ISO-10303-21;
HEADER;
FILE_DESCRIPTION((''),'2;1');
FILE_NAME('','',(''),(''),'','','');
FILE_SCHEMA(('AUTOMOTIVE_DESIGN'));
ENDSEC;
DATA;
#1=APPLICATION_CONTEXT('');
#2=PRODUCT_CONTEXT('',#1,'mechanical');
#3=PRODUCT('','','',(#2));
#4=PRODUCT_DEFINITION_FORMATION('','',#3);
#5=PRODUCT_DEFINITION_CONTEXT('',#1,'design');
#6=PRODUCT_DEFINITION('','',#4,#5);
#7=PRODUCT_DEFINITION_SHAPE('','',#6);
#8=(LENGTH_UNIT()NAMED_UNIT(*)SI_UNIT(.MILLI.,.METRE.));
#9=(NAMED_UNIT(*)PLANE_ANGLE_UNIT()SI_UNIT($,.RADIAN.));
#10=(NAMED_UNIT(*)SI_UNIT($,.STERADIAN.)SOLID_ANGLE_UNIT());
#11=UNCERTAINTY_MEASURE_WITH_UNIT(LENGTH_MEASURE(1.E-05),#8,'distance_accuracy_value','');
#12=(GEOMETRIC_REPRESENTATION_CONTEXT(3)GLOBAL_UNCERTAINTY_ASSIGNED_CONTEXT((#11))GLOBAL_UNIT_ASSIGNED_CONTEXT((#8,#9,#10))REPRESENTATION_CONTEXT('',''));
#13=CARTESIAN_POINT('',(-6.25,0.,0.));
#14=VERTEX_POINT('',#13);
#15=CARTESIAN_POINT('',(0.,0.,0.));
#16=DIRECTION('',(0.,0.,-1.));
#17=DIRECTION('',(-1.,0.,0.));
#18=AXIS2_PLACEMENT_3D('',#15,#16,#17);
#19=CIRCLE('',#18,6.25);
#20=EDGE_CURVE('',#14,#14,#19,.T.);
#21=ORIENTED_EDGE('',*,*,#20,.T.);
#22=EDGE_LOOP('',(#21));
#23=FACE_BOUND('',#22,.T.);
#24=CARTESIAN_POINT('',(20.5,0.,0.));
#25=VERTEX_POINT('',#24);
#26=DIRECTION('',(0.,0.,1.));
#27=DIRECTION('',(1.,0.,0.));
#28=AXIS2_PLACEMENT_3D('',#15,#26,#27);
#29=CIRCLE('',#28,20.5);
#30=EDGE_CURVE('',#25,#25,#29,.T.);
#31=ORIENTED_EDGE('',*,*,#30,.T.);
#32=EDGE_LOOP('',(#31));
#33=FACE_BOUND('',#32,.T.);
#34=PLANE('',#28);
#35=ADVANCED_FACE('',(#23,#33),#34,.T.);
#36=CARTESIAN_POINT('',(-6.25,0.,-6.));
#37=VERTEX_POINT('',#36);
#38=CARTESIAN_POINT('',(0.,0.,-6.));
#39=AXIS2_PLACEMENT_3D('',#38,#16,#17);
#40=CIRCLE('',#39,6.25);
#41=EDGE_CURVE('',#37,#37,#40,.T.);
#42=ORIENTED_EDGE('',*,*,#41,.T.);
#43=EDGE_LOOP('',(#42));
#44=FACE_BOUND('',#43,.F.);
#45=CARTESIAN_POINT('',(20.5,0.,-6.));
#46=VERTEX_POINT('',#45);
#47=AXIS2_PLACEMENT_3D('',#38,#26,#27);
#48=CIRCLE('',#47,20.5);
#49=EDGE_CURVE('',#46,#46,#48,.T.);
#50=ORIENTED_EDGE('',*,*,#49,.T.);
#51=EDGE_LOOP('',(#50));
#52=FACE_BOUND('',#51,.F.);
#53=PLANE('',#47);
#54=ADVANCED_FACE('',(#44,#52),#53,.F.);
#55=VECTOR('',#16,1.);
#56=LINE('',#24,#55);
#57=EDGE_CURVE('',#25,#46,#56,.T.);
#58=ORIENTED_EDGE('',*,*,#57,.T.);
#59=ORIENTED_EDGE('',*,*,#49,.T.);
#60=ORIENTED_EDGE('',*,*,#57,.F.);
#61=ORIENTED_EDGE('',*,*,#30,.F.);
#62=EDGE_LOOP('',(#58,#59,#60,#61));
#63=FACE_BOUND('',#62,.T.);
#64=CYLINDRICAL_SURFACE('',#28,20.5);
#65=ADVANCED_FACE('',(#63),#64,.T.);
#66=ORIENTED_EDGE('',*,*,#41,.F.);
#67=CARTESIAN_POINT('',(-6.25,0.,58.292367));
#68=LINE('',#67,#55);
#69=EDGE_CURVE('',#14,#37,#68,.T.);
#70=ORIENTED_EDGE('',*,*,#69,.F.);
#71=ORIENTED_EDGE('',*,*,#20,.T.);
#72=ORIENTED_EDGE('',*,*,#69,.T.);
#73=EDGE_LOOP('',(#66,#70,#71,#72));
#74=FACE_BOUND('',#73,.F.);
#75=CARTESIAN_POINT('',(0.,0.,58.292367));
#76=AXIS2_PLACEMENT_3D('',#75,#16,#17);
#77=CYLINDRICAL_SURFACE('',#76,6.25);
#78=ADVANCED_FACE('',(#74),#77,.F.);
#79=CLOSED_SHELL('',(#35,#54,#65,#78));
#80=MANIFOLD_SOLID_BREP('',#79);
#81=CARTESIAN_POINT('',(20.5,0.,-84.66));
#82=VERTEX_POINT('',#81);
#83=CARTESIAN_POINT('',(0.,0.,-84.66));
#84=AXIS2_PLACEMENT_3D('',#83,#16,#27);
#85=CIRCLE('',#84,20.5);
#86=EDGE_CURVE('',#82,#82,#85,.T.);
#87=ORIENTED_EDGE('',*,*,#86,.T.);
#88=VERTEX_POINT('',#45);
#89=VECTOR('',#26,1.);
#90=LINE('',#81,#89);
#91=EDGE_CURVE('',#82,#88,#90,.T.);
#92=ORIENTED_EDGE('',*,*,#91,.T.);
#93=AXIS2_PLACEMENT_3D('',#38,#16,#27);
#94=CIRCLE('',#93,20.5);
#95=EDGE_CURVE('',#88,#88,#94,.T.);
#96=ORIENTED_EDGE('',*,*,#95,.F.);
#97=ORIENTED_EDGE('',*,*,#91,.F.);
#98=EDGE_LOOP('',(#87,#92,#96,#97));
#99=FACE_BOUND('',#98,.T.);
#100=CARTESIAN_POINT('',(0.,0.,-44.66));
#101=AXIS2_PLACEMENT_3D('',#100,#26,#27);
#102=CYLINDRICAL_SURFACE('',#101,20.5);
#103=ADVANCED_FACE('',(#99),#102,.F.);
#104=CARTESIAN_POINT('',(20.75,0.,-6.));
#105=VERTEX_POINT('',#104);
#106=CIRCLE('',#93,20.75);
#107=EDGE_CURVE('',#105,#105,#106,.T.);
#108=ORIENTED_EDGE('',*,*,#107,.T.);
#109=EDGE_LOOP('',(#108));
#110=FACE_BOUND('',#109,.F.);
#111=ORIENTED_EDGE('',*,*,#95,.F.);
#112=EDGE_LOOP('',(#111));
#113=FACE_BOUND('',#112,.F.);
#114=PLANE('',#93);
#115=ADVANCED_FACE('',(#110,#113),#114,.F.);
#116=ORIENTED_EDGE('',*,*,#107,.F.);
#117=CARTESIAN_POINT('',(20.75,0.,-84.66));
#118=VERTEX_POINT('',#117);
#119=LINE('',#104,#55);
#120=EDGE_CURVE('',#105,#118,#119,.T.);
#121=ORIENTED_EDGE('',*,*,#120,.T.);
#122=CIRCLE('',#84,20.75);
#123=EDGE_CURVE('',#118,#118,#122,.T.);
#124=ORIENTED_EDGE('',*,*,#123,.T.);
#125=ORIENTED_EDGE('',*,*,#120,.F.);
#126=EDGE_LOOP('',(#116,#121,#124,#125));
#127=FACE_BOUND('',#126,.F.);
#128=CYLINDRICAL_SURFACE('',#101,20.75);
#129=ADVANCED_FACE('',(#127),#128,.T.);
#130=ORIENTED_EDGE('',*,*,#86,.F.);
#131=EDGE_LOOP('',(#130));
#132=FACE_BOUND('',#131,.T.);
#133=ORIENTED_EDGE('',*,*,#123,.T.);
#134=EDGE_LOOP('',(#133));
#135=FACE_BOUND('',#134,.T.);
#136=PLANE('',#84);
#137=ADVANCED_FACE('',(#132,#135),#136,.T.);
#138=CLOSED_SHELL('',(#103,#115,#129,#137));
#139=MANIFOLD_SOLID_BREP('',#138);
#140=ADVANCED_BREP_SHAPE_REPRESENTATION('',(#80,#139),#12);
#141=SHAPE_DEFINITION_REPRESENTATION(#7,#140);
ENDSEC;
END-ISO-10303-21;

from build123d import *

# Parameters (mm, degrees)
F0_R     = 20.5
F1_DEPTH = 6
F2_R     = 20.75
F2_R_2   = 20.5
F3_DEPTH = 38.66
F5_DEPTH = 40
F6_D     = 12.5


with BuildPart() as f1:
    # F0 (on Top) → F1 (new body)
    with BuildSketch(Plane.XY):
        Circle(F0_R)
    extrude(amount=-F1_DEPTH)

    # F6 (through all)
    with Locations(Plane.XY):
        with Locations((0, 0)):
            Hole(F6_D / 2)


with BuildPart() as f3:
    # F2 (on face) → F3 (new body)
    with BuildSketch(Plane(origin=(0, 0, -6), x_dir=(1, 0, 0), z_dir=(0, 0, -1))):
        Circle(F2_R)
        Circle(F2_R_2, mode=Mode.SUBTRACT)
    extrude(amount=F3_DEPTH)

    # F5 (add): a face of the model
    f5_faces = [f3.faces().sort_by_distance(p)[0] for p in [
        (-20.6913101372, 0, -44.66),
    ]]
    extrude(f5_faces, amount=F5_DEPTH)


solid = Compound([f1.part, f3.part])
